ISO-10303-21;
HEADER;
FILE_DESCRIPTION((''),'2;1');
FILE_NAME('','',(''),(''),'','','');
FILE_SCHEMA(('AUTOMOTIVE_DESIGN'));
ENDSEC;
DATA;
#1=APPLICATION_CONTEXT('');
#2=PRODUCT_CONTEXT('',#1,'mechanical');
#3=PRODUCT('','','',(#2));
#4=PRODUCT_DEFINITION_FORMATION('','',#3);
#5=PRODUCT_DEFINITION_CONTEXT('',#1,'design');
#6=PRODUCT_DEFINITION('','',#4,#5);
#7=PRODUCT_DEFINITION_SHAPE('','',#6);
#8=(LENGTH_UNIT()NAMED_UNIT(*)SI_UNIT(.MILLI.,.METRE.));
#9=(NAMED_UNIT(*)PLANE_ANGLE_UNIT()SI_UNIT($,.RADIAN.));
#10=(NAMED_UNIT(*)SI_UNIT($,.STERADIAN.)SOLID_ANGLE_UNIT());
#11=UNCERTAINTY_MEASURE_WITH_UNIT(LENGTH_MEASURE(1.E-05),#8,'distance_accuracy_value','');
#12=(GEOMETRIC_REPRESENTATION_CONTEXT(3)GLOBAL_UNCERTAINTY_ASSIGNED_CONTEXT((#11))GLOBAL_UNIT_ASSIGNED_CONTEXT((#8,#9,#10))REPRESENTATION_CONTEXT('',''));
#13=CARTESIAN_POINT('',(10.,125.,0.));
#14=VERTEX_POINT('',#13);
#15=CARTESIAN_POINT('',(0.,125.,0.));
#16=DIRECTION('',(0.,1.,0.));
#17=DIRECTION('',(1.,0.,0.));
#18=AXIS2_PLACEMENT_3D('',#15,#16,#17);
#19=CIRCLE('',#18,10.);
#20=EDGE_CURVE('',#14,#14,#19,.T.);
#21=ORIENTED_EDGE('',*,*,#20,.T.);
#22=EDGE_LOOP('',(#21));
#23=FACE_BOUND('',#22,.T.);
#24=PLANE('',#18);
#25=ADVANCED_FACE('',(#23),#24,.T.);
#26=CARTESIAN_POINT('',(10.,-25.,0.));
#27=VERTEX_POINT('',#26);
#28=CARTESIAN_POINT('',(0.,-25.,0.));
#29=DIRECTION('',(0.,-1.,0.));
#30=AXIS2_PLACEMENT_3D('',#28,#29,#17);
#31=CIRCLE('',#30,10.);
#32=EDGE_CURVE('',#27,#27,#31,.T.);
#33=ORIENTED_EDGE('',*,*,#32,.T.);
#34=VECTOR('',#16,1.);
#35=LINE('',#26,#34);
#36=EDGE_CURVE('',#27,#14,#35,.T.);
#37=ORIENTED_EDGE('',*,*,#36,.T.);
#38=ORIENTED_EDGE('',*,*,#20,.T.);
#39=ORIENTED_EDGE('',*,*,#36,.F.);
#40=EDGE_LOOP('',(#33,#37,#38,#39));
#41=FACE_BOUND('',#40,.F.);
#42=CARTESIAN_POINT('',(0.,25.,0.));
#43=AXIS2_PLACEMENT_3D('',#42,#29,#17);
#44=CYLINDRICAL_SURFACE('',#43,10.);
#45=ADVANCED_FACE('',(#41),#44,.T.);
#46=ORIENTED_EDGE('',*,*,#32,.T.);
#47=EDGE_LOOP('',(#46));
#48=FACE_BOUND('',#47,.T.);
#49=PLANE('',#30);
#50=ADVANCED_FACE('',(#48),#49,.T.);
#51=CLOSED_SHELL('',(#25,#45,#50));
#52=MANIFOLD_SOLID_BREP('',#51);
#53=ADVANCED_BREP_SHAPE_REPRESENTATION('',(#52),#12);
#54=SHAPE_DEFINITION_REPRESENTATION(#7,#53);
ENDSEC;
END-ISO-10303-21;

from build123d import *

# Parameters (mm, degrees)
F0_R      = 10
F1_DEPTH  = 25
F1_FACE_R = 10
F2_DEPTH  = 25
F2_FACE_R = 10
F3_DEPTH  = 100


with BuildPart() as f1:
    # F0 (on Front) → F1 (new body)
    with BuildSketch(Plane.XZ):
        Circle(F0_R)
    extrude(amount=F1_DEPTH)

    # F1_face (on face) → F2 (join)
    with BuildSketch(Plane(origin=(0, 0, 0), x_dir=(1, 0, 0), z_dir=(0, 1, 0))):
        Circle(F1_FACE_R)
    extrude(amount=F2_DEPTH)

    # F2_face (on face) → F3 (join)
    with BuildSketch(Plane(origin=(0, 25, 0), x_dir=(1, 0, 0), z_dir=(0, 1, 0))):
        Circle(F2_FACE_R)
    extrude(amount=F3_DEPTH)


solid = f1.part
